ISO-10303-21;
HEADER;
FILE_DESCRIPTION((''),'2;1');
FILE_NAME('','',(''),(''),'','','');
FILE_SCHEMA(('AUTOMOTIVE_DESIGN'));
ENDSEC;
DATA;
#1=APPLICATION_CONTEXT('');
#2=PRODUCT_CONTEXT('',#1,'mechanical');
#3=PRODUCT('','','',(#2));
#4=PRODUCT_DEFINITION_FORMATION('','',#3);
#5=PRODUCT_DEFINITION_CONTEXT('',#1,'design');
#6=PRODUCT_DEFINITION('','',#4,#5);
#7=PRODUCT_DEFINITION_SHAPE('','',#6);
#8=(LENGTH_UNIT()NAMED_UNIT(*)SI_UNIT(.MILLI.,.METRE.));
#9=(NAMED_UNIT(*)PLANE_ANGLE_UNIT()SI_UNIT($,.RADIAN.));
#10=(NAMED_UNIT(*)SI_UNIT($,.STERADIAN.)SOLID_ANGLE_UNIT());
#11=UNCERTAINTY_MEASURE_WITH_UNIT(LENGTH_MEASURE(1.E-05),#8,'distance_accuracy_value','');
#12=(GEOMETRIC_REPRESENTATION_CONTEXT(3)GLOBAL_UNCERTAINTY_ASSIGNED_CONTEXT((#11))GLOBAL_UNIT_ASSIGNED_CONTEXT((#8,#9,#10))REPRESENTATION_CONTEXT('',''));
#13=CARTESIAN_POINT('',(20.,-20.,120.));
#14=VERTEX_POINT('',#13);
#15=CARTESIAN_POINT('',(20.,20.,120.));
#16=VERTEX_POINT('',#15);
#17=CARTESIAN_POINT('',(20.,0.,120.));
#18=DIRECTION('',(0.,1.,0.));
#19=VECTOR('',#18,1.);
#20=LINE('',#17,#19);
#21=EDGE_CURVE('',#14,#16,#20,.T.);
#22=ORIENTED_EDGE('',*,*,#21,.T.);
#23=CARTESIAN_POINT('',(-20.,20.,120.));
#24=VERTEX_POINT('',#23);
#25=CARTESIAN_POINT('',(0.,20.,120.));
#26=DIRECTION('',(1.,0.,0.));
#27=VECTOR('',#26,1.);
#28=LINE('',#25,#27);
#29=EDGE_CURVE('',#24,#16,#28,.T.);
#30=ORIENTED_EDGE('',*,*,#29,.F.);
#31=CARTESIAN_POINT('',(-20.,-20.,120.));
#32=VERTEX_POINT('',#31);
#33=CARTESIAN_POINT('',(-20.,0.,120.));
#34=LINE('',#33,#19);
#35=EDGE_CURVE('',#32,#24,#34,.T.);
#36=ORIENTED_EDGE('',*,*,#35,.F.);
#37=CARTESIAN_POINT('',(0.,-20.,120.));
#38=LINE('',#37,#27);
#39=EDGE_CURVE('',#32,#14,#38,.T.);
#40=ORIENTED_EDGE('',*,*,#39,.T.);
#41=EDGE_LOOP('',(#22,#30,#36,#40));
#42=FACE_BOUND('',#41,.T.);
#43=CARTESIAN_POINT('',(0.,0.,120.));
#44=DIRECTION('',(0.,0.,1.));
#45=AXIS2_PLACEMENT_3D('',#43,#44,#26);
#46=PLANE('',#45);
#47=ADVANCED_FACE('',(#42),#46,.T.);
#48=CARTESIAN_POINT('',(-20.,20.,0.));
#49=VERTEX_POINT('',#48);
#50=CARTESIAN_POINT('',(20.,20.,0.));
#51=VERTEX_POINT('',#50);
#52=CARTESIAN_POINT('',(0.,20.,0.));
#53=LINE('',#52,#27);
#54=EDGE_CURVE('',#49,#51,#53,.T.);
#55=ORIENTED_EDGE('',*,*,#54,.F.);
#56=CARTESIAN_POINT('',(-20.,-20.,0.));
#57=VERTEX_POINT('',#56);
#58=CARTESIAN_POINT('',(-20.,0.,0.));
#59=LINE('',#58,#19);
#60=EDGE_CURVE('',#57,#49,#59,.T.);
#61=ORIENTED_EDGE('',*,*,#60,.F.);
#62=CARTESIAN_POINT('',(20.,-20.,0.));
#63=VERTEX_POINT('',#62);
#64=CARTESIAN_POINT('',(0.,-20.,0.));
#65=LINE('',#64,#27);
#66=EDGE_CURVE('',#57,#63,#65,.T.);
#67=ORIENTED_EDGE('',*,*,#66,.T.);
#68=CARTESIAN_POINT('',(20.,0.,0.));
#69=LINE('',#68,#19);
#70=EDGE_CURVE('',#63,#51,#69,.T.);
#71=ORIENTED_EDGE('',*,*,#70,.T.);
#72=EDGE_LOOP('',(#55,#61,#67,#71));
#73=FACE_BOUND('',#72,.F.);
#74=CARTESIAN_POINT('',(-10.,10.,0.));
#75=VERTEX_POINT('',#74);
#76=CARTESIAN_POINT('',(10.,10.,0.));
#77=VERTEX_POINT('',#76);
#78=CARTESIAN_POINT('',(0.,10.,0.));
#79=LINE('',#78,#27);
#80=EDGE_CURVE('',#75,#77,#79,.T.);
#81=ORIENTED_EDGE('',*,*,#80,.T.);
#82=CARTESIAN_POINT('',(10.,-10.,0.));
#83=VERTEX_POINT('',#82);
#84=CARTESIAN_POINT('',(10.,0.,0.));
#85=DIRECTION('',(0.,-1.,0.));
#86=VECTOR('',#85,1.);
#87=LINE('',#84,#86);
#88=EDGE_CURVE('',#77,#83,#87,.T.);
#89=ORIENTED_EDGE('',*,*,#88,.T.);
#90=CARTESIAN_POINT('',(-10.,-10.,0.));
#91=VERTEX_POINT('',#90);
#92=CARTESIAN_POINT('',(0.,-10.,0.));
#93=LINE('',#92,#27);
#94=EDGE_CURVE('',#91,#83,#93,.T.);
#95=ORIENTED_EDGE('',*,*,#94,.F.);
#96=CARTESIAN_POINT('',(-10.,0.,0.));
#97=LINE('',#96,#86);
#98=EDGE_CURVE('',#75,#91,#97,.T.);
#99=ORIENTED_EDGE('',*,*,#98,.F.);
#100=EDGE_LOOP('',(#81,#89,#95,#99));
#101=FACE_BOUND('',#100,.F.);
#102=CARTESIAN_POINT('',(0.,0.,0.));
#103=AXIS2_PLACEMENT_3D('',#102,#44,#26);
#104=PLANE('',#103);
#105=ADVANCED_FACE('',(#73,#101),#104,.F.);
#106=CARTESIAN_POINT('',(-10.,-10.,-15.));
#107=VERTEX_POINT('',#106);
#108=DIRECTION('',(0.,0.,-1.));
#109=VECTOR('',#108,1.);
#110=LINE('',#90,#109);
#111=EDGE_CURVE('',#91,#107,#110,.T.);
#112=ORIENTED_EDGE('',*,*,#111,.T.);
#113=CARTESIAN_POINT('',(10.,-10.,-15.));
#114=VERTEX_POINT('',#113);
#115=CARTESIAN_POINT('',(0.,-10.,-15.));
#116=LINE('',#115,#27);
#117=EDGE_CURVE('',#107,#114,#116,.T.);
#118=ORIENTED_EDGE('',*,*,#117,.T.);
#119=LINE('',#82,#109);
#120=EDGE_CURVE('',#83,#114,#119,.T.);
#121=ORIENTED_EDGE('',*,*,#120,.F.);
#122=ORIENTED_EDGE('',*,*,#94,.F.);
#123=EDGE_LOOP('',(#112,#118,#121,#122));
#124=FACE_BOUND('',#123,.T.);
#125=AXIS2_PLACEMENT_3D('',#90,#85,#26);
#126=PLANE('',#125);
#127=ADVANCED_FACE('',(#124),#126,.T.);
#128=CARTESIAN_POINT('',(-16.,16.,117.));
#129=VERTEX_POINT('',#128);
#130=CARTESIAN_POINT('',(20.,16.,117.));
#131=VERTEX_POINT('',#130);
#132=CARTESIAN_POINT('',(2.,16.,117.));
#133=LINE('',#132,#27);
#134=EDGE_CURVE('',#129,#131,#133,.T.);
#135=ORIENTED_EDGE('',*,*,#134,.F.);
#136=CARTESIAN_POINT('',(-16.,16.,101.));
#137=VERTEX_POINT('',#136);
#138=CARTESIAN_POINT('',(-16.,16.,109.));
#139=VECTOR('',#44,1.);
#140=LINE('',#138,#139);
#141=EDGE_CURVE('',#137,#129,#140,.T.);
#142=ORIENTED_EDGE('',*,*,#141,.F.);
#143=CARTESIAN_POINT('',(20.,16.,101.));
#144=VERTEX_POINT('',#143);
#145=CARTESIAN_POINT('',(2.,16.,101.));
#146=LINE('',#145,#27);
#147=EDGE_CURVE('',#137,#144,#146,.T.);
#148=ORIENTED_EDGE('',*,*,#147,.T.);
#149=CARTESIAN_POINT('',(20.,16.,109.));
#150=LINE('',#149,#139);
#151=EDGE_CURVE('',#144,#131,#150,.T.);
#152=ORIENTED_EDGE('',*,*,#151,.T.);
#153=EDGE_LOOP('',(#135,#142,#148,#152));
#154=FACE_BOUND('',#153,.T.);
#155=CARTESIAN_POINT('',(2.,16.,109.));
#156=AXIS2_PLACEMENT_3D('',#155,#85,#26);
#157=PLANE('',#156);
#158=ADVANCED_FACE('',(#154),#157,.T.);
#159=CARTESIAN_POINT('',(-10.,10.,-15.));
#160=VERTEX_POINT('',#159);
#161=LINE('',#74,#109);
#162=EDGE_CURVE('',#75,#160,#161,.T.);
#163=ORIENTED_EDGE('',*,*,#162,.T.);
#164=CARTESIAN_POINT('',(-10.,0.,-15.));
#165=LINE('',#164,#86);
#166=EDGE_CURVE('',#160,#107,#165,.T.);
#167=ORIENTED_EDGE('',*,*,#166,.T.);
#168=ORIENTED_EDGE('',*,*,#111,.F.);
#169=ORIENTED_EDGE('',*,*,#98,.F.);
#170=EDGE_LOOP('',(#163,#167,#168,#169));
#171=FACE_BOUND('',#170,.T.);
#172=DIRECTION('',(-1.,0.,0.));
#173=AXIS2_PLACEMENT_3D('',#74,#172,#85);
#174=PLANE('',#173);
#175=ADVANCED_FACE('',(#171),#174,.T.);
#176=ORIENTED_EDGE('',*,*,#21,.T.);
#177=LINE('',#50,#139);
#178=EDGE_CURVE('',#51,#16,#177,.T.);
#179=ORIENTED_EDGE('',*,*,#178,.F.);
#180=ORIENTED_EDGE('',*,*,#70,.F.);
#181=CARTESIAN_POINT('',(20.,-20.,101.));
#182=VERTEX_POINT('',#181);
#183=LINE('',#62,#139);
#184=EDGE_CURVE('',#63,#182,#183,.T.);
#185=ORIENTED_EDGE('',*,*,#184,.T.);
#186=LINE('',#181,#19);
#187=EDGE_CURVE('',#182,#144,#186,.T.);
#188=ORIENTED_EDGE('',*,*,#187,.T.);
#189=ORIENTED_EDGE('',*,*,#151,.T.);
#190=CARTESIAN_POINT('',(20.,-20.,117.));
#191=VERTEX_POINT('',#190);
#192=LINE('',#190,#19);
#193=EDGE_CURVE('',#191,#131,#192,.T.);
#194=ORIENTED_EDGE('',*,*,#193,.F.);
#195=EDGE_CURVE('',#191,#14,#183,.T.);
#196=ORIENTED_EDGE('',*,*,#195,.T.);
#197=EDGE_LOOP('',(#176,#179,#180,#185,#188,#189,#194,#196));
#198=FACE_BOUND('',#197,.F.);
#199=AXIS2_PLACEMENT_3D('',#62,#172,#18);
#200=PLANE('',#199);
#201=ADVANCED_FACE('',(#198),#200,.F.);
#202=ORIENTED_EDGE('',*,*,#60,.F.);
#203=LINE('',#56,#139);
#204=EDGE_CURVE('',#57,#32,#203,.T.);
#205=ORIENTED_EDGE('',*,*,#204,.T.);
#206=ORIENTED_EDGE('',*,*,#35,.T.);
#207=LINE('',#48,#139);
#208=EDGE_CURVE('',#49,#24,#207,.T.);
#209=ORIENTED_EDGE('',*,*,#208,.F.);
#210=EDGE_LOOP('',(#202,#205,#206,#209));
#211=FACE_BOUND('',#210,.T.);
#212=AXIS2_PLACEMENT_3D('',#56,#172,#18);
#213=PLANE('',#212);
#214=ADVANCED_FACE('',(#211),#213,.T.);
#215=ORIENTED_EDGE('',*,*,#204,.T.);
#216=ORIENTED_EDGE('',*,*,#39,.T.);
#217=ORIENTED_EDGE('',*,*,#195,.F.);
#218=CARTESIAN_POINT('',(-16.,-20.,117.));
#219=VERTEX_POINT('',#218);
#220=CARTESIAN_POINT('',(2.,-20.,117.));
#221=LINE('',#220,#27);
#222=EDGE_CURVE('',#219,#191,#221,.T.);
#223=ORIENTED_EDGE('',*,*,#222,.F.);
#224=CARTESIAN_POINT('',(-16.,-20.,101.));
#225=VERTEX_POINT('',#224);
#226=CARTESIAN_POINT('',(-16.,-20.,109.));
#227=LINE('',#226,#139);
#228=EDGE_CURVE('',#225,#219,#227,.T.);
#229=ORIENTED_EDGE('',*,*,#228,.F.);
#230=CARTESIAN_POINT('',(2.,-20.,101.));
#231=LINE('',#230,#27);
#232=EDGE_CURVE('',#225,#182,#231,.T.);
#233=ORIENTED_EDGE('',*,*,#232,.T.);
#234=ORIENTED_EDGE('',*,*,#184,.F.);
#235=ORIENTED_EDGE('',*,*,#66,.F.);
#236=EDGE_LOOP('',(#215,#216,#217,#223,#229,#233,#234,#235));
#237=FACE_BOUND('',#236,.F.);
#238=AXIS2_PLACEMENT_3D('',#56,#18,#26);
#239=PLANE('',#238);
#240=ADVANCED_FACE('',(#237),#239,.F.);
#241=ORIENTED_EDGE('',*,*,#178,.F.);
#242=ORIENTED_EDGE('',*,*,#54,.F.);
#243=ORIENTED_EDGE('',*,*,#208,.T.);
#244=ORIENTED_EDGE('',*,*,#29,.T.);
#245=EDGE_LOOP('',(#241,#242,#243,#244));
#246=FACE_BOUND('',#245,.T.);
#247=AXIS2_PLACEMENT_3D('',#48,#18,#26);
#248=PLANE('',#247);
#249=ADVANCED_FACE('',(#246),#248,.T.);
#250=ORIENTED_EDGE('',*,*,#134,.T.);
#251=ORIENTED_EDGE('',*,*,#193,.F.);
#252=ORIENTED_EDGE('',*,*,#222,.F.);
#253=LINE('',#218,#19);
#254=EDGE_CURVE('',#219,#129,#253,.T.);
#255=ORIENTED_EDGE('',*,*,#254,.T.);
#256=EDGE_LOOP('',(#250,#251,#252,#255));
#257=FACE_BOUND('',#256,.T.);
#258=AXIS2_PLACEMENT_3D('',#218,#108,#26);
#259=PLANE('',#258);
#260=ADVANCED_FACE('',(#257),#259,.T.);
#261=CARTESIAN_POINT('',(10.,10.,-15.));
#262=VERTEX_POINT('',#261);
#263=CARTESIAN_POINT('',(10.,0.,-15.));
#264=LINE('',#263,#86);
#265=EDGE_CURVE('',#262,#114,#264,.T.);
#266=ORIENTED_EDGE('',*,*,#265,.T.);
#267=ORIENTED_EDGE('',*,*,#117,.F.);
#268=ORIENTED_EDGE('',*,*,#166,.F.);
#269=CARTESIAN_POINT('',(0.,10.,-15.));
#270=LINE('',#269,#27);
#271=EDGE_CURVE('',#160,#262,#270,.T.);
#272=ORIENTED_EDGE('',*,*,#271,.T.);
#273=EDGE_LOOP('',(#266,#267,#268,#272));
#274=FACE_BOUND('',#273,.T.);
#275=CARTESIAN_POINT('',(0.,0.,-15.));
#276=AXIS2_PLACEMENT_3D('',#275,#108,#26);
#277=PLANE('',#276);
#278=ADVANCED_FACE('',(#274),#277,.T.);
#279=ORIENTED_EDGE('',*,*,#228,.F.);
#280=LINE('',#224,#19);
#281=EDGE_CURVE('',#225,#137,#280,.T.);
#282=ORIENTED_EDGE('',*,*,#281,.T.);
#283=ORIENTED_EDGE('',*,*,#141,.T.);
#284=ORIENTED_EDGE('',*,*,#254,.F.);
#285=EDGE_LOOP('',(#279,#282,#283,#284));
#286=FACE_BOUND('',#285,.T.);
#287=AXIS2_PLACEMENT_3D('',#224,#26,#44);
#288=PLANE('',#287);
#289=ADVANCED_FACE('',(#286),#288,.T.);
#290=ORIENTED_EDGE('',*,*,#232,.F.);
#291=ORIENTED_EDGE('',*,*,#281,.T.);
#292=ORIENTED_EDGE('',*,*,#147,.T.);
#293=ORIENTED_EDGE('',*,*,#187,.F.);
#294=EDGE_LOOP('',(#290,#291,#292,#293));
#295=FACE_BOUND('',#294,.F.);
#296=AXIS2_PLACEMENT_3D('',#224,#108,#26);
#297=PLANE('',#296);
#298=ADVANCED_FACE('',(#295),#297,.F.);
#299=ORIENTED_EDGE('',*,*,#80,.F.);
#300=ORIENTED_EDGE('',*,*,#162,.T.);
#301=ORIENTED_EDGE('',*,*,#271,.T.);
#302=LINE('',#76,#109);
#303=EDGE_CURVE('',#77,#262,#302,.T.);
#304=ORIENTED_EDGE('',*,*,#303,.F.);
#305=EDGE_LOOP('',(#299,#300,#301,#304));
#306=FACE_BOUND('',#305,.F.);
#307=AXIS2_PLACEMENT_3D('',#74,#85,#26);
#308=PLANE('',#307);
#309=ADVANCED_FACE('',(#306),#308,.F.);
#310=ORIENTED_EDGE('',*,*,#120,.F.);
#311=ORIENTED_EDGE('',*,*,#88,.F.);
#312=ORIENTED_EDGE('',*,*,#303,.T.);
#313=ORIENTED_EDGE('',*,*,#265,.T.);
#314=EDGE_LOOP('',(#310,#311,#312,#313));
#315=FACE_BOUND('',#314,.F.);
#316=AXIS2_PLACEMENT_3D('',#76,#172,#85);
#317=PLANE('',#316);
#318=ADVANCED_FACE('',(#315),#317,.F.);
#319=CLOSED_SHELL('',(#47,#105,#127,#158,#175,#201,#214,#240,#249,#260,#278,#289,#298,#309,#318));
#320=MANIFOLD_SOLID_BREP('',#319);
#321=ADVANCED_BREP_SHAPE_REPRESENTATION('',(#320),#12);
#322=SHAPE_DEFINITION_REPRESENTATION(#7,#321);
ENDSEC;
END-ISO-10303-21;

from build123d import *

# Parameters (mm, degrees)
F0_W     = 40
F0_H     = 40
F1_DEPTH = 120
F2_W     = 36
F2_H     = 16
F3_DEPTH = 36
F4_W     = 20
F4_H     = 20
F5_DEPTH = 15


with BuildPart() as f1:
    # F0 (on Top) → F1 (new body)
    with BuildSketch(Plane.XY):
        Rectangle(F0_W, F0_H)
    extrude(amount=F1_DEPTH)

    # F2 (on face) → F3 (cut)
    with BuildSketch(Plane.XZ.offset(20)):
        with Locations((2, 109)):
            Rectangle(F2_W, F2_H)
    extrude(amount=-F3_DEPTH, mode=Mode.SUBTRACT)

    # F4 (on face) → F5 (join)
    with BuildSketch(Plane(origin=(0, 0, 0), x_dir=(1, 0, 0), z_dir=(0, 0, -1))):
        Rectangle(F4_W, F4_H)
    extrude(amount=F5_DEPTH)


solid = f1.part
